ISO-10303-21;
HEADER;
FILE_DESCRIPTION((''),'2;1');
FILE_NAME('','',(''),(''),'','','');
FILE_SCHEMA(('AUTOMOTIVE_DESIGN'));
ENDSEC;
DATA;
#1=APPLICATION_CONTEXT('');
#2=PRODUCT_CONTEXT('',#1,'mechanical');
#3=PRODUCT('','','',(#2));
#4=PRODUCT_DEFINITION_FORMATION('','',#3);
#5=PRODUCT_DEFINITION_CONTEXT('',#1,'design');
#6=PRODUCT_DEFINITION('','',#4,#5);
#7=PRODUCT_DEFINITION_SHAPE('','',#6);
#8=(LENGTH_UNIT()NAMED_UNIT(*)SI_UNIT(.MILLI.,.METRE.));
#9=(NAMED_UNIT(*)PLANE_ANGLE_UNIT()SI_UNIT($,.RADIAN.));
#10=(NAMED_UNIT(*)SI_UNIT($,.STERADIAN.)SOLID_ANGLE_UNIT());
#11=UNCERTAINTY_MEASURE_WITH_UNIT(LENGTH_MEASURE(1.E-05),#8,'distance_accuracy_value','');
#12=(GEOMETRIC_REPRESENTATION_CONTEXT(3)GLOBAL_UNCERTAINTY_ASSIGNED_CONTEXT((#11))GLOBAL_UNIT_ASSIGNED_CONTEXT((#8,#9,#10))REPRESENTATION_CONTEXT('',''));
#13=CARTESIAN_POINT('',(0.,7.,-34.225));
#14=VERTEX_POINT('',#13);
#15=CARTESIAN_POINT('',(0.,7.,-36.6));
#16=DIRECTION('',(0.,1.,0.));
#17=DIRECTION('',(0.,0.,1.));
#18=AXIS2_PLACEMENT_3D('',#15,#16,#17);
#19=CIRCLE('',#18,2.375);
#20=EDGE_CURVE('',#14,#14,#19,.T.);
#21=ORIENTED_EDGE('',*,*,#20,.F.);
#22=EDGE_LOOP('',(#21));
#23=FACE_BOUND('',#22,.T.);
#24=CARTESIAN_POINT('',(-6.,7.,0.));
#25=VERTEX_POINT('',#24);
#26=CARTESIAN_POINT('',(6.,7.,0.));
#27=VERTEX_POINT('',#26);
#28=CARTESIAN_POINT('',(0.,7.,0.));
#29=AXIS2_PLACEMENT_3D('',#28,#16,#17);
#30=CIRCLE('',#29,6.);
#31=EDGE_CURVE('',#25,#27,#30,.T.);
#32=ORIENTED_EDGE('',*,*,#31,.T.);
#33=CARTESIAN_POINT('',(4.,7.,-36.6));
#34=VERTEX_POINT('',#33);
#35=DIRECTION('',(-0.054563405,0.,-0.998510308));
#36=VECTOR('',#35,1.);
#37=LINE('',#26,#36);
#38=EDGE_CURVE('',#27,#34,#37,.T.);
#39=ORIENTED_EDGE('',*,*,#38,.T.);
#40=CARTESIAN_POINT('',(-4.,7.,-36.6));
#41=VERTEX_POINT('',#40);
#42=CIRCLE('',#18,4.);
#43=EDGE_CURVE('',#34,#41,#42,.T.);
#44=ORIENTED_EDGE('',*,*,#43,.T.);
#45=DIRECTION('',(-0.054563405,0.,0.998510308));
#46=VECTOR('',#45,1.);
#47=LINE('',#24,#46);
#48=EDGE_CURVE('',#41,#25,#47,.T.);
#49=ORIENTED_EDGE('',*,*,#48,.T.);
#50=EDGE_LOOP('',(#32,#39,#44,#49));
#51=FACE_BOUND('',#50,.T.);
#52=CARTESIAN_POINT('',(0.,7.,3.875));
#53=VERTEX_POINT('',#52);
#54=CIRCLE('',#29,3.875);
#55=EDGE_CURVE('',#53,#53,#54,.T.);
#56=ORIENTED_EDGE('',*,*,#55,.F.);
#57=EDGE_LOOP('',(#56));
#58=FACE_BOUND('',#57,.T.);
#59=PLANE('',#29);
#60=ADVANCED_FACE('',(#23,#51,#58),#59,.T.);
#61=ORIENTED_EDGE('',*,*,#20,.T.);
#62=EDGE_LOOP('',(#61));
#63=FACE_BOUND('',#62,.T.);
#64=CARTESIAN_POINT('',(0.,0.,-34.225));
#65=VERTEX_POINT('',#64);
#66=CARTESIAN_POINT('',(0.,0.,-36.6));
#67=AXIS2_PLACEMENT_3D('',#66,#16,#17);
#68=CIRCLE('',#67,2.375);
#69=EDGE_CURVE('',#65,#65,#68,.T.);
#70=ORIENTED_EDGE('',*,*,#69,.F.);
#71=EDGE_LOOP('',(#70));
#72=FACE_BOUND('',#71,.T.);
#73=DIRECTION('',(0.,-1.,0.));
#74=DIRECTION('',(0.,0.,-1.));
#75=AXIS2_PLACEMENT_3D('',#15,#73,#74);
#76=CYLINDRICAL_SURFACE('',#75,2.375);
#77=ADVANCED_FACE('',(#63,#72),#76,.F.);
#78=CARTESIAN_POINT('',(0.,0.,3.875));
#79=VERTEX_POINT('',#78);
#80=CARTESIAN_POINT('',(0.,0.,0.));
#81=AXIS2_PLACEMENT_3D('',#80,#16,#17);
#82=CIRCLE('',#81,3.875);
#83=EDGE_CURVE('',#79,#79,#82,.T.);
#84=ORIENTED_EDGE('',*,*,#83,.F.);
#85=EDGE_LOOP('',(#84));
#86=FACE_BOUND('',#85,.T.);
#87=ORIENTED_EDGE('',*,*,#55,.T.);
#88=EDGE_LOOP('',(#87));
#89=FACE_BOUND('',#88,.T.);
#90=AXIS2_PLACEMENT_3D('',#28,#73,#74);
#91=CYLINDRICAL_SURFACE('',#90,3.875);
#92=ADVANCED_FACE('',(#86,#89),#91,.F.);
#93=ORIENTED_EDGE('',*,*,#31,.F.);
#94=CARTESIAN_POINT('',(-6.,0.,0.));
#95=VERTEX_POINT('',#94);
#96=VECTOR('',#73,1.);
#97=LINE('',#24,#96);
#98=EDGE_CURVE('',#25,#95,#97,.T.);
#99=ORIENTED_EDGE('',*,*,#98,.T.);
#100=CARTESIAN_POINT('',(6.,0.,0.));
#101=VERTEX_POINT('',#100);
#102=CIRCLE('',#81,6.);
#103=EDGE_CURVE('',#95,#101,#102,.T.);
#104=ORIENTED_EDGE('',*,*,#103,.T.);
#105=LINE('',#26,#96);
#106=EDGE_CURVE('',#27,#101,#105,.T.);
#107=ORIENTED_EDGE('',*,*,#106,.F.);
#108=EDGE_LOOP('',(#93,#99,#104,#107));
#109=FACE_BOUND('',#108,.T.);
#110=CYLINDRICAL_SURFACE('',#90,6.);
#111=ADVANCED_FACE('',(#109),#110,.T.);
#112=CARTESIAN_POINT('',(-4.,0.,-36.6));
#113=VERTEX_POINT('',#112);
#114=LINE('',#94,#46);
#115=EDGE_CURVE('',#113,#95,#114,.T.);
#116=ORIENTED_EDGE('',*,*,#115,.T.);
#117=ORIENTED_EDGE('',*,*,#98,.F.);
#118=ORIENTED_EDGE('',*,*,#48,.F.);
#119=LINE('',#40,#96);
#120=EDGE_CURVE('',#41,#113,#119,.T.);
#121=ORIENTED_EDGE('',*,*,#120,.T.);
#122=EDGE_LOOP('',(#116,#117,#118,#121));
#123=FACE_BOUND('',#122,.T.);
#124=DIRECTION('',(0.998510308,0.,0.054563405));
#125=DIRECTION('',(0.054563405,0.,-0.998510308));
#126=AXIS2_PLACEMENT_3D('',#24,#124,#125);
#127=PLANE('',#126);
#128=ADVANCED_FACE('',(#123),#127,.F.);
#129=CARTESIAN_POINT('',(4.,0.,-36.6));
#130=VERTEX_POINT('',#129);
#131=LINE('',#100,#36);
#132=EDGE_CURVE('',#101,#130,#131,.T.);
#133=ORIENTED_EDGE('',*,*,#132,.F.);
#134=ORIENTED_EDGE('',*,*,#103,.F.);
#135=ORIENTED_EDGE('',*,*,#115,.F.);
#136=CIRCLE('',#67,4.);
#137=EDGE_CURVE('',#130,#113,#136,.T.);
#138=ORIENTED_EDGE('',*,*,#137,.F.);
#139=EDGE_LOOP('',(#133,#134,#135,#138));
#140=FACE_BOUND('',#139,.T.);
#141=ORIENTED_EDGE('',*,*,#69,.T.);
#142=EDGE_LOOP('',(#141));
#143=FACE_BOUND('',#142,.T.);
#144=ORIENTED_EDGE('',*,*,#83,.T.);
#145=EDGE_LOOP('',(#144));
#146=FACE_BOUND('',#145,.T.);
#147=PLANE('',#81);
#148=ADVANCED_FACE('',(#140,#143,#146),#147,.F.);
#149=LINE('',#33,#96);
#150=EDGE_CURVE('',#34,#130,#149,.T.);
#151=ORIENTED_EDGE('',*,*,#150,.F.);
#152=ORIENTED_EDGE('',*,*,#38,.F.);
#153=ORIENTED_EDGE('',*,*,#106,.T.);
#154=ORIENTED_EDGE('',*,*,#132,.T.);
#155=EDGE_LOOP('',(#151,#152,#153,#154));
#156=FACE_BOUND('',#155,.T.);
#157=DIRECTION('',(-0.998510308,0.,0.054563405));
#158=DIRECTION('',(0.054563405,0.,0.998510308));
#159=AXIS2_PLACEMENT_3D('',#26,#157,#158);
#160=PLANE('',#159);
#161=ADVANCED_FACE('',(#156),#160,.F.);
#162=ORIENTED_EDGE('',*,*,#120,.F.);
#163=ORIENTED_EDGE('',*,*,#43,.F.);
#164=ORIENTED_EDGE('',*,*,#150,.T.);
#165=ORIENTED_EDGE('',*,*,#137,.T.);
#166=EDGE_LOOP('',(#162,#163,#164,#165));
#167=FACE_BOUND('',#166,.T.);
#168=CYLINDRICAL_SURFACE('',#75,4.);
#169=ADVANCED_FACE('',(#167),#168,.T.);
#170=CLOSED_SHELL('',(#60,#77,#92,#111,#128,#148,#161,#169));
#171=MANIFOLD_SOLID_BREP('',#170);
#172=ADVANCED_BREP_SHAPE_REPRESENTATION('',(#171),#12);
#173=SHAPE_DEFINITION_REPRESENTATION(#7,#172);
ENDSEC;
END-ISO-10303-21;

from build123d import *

# Parameters (mm, degrees)
SKETCH2_R           = 3.875
SKETCH2_R_2         = 2.375
BOSS_EXTRUDE1_DEPTH = 7


with BuildPart() as part:
    # Sketch2 → Boss-Extrude1 (new body)
    with BuildSketch(Plane(origin=(0, 0, 0), x_dir=(1, 0, 0), z_dir=(0, 1, 0))):
        with BuildLine():
            Line((-6, 0), (-4, 36.6))
            ThreePointArc((-4, 36.6), (0, 40.6), (4, 36.6))
            Line((4, 36.6), (6, 0))
            ThreePointArc((6, 0), (0, -6), (-6, 0))
        make_face()
        with Locations(Location((0, 0, 0), (0, 0, 270))):
            Circle(SKETCH2_R, mode=Mode.SUBTRACT)
        with Locations(Location((0, 36.6, 0), (0, 0, 270))):
            Circle(SKETCH2_R_2, mode=Mode.SUBTRACT)
    extrude(amount=BOSS_EXTRUDE1_DEPTH)


solid = part.part
